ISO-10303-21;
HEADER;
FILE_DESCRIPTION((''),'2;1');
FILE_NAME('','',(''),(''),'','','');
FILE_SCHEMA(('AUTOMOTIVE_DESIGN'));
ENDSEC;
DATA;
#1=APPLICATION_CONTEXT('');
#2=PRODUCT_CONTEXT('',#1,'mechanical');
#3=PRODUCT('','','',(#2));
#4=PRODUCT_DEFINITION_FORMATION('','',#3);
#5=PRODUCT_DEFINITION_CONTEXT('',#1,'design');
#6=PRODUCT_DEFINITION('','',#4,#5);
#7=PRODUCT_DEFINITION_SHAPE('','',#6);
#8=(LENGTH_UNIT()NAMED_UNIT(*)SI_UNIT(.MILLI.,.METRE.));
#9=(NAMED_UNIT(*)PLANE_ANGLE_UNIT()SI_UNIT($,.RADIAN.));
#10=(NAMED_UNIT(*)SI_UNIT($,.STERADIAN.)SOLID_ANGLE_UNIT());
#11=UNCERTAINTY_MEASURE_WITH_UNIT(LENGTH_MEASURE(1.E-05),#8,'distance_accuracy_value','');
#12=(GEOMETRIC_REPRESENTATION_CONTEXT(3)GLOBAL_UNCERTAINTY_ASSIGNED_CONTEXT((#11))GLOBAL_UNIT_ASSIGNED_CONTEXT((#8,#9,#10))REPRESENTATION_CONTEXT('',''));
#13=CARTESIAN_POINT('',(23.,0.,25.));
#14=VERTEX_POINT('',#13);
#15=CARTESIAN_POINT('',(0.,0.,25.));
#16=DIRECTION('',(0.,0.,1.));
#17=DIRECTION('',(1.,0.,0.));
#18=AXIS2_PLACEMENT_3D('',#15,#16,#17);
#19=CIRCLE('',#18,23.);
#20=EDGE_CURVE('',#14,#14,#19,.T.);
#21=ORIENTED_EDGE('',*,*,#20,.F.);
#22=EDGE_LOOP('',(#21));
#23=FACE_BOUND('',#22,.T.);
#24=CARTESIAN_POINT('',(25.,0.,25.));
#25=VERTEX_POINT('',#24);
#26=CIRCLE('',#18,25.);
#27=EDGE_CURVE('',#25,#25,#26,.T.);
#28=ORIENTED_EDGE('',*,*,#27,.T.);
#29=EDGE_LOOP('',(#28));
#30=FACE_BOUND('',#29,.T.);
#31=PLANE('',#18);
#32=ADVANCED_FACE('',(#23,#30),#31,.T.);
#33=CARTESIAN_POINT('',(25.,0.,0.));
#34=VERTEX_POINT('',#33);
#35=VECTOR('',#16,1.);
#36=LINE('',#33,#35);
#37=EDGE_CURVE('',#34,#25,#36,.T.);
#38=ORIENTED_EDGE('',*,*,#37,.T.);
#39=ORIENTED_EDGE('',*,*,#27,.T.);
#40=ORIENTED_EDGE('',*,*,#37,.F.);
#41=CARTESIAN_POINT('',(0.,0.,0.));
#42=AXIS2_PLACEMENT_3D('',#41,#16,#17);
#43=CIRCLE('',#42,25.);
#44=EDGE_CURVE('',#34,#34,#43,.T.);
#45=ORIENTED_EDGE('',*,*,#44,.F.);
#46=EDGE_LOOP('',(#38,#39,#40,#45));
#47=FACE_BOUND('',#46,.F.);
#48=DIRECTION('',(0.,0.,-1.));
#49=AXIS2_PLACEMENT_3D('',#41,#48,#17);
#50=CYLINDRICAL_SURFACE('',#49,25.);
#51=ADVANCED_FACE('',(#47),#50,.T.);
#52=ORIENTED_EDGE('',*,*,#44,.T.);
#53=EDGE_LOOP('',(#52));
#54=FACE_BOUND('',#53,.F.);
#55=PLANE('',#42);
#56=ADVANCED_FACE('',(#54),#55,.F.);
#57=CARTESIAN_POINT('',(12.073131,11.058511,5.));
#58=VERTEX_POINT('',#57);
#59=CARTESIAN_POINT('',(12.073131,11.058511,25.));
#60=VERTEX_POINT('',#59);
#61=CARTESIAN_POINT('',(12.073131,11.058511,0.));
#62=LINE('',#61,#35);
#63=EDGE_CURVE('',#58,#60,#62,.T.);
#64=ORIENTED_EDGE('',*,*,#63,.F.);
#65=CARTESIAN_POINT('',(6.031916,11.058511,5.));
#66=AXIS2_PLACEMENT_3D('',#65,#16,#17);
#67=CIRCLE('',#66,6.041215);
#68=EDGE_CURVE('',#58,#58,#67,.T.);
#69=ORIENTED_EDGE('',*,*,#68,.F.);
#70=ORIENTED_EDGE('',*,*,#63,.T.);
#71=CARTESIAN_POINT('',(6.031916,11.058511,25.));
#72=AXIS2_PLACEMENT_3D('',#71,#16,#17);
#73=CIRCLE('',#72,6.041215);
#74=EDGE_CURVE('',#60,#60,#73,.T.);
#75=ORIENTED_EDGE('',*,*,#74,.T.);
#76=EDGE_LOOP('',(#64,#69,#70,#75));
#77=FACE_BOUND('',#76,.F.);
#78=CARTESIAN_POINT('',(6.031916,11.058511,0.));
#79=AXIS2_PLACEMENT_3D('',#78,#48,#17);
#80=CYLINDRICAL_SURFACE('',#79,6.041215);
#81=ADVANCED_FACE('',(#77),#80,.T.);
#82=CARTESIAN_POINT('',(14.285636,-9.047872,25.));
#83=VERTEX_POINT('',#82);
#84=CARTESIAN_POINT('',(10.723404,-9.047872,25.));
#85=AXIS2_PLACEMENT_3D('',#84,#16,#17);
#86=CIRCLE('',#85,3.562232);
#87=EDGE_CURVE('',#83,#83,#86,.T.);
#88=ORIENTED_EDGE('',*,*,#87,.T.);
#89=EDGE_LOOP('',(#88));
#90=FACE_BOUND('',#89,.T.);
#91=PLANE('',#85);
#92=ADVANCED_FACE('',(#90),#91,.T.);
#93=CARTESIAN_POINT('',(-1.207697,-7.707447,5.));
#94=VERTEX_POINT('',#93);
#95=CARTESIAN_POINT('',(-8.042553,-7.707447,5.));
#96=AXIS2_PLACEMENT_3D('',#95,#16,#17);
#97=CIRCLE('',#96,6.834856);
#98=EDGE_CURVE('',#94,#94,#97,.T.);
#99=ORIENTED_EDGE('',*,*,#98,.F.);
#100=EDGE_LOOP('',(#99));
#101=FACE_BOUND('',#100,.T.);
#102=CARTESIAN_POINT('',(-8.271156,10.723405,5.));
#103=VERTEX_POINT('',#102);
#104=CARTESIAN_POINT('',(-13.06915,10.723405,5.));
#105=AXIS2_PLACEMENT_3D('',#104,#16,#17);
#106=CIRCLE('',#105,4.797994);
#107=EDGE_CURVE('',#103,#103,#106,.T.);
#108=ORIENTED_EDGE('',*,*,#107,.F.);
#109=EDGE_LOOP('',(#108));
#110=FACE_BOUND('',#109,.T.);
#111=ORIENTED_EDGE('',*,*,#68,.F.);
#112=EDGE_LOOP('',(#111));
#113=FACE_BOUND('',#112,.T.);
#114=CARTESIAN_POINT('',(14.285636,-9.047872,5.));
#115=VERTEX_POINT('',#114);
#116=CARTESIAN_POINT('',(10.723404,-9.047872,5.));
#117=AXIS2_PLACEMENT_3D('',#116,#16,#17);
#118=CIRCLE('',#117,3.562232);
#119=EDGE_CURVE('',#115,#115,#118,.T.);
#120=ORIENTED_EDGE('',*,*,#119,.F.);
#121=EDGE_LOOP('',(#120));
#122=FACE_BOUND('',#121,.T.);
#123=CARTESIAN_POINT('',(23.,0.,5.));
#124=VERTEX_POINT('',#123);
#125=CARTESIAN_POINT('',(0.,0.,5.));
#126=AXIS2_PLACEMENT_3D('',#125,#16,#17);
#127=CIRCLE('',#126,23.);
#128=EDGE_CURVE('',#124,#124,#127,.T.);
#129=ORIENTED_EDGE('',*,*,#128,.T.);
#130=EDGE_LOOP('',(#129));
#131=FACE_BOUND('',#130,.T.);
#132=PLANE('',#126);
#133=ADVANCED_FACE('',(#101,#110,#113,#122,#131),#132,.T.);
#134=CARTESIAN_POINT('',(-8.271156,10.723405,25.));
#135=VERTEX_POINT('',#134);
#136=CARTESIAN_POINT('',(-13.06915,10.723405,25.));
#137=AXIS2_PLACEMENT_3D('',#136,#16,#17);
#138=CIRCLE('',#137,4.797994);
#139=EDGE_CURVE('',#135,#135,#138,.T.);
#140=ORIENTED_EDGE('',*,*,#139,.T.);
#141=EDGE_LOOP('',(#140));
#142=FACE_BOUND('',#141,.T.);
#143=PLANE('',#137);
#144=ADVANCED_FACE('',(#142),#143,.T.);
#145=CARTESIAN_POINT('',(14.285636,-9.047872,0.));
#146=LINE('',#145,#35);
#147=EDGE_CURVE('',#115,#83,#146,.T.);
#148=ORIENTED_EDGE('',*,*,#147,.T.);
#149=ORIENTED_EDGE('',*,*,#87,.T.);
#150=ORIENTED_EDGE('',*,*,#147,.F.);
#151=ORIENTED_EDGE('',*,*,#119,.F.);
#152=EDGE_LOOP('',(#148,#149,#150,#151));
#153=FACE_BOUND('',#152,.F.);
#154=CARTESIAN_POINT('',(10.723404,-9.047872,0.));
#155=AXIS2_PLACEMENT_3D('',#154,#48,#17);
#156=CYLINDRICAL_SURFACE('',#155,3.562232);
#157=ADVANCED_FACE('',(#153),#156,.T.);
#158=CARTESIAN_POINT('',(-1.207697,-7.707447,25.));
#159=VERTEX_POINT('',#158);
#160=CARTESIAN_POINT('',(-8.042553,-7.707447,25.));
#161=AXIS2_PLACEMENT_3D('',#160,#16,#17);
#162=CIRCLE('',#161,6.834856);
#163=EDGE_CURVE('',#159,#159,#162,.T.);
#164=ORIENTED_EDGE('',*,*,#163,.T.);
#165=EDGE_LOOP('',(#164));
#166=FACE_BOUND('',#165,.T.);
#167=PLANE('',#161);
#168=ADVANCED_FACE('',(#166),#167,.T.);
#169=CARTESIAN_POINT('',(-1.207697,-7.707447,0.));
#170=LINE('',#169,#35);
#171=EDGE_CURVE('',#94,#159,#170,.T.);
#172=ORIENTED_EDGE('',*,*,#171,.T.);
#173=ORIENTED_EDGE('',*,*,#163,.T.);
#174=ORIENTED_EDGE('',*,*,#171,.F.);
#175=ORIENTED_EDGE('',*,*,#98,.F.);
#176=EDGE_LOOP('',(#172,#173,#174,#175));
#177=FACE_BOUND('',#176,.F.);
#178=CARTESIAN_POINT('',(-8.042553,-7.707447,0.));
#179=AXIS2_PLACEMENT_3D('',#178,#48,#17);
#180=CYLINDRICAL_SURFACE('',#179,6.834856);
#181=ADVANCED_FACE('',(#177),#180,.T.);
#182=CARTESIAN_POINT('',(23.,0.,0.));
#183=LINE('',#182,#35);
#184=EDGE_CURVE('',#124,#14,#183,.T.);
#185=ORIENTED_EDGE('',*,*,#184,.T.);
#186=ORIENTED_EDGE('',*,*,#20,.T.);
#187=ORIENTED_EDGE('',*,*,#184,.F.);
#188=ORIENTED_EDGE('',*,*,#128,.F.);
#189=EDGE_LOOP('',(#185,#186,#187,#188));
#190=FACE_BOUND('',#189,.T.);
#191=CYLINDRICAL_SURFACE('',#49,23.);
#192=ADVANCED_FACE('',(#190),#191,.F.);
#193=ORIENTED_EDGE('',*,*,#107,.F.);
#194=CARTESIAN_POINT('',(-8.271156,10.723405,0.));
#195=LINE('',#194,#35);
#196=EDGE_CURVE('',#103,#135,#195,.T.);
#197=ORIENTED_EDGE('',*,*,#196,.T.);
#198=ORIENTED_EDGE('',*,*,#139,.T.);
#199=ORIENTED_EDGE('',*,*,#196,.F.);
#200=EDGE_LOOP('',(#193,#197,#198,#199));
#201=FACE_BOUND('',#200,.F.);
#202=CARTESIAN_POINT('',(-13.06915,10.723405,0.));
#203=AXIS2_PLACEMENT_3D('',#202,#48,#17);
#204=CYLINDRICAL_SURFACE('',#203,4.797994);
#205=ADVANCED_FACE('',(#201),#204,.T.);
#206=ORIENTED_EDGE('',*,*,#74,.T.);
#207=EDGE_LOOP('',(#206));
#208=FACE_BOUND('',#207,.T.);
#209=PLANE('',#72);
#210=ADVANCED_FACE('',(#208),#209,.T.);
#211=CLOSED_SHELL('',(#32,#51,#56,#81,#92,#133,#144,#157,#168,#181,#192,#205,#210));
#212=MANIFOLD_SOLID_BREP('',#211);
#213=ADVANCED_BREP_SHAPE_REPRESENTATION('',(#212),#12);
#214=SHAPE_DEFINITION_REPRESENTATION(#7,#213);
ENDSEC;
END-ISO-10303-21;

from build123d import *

# Parameters (mm, degrees)
F0_R     = 25
F0_R_2   = 23
F1_DEPTH = 25
F0_R_3   = 6.834856
F0_R_4   = 3.562232
F0_R_5   = 4.797994
F0_R_6   = 6.041215
F2_DEPTH = 5
F3_DEPTH = 25


with BuildPart() as f1:
    # F0 (on Top) → F1 (new body)
    with BuildSketch(Plane.XY):
        Circle(F0_R)
        Circle(F0_R_2, mode=Mode.SUBTRACT)
    extrude(amount=F1_DEPTH)

    # F0 (on Top) → F2 (join)
    with BuildSketch(Plane.XY):
        Circle(F0_R_2)
        with Locations((-8.042553, -7.707447)):
            Circle(F0_R_3, mode=Mode.SUBTRACT)
        with Locations((10.723404, -9.047872)):
            Circle(F0_R_4, mode=Mode.SUBTRACT)
        with Locations((-13.06915, 10.723405)):
            Circle(F0_R_5, mode=Mode.SUBTRACT)
        with Locations((6.031916, 11.058511)):
            Circle(F0_R_6, mode=Mode.SUBTRACT)
    extrude(amount=F2_DEPTH)

    # F0 (on Top) → F3 (join)
    with BuildSketch(Plane.XY):
        with Locations((-8.042553, -7.707447)):
            Circle(F0_R_3)
        with Locations((6.031916, 11.058511)):
            Circle(F0_R_6)
        with Locations((-13.06915, 10.723405)):
            Circle(F0_R_5)
        with Locations((10.723404, -9.047872)):
            Circle(F0_R_4)
    extrude(amount=F3_DEPTH)


solid = f1.part
